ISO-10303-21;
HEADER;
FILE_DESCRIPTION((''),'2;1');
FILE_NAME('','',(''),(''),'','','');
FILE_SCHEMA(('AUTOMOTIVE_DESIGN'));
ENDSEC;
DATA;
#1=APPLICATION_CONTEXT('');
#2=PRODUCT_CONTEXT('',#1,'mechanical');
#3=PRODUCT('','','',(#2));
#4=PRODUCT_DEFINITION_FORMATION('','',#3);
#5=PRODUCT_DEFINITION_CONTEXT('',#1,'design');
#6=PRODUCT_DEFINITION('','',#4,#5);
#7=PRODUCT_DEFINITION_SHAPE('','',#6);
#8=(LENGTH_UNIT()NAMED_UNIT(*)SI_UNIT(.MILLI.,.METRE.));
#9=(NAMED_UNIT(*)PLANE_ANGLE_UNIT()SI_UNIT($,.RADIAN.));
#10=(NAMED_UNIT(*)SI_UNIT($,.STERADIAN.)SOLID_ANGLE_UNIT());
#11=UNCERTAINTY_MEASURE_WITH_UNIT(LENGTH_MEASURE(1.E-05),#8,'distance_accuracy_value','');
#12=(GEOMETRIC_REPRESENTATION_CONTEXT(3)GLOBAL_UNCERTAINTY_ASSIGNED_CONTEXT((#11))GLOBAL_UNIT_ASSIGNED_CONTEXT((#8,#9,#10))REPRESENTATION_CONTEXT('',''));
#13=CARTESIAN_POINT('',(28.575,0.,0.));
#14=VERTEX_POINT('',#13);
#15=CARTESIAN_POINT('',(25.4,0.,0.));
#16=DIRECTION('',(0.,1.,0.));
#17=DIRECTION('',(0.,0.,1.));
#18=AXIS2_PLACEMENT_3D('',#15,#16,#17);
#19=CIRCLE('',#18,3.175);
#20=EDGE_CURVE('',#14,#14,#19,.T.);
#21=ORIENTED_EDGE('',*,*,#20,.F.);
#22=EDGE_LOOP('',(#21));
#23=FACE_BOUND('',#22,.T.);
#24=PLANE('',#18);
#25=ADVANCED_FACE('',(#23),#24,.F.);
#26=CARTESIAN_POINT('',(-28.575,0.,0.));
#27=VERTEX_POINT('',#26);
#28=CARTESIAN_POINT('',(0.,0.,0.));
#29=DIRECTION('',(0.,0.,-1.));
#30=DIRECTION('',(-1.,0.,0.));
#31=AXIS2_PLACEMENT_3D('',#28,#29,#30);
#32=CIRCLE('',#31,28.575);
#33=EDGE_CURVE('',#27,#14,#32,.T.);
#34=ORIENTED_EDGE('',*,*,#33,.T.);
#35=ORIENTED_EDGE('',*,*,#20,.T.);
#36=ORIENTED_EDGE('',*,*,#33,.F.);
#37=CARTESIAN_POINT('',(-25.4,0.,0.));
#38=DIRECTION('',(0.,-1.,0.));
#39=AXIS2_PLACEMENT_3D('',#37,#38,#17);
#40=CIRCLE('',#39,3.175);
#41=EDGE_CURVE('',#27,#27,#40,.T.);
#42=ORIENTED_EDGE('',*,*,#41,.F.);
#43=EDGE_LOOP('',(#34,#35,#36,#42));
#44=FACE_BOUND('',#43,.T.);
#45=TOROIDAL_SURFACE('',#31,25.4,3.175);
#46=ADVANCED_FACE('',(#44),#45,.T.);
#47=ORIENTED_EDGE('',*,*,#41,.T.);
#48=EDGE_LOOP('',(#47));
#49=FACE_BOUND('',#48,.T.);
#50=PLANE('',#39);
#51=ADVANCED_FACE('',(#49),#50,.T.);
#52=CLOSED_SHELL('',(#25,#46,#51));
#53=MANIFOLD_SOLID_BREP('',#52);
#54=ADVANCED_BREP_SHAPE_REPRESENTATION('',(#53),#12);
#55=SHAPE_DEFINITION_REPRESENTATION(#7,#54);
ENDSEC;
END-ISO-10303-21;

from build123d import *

# Parameters (mm, degrees)
SKETCH1_R  = 3.175
RING_ANGLE = 180


with BuildPart() as part:
    # Sketch1 → ring (revolve)
    with BuildSketch(Plane(origin=(0, 0, 0), x_dir=(1, 0, 0), z_dir=(0, 1, 0))):
        with Locations((25.4, 0)):
            Circle(SKETCH1_R)
    revolve(axis=Axis((0, 0, 6.35), (0, 0, 1)), revolution_arc=RING_ANGLE)


solid = part.part
